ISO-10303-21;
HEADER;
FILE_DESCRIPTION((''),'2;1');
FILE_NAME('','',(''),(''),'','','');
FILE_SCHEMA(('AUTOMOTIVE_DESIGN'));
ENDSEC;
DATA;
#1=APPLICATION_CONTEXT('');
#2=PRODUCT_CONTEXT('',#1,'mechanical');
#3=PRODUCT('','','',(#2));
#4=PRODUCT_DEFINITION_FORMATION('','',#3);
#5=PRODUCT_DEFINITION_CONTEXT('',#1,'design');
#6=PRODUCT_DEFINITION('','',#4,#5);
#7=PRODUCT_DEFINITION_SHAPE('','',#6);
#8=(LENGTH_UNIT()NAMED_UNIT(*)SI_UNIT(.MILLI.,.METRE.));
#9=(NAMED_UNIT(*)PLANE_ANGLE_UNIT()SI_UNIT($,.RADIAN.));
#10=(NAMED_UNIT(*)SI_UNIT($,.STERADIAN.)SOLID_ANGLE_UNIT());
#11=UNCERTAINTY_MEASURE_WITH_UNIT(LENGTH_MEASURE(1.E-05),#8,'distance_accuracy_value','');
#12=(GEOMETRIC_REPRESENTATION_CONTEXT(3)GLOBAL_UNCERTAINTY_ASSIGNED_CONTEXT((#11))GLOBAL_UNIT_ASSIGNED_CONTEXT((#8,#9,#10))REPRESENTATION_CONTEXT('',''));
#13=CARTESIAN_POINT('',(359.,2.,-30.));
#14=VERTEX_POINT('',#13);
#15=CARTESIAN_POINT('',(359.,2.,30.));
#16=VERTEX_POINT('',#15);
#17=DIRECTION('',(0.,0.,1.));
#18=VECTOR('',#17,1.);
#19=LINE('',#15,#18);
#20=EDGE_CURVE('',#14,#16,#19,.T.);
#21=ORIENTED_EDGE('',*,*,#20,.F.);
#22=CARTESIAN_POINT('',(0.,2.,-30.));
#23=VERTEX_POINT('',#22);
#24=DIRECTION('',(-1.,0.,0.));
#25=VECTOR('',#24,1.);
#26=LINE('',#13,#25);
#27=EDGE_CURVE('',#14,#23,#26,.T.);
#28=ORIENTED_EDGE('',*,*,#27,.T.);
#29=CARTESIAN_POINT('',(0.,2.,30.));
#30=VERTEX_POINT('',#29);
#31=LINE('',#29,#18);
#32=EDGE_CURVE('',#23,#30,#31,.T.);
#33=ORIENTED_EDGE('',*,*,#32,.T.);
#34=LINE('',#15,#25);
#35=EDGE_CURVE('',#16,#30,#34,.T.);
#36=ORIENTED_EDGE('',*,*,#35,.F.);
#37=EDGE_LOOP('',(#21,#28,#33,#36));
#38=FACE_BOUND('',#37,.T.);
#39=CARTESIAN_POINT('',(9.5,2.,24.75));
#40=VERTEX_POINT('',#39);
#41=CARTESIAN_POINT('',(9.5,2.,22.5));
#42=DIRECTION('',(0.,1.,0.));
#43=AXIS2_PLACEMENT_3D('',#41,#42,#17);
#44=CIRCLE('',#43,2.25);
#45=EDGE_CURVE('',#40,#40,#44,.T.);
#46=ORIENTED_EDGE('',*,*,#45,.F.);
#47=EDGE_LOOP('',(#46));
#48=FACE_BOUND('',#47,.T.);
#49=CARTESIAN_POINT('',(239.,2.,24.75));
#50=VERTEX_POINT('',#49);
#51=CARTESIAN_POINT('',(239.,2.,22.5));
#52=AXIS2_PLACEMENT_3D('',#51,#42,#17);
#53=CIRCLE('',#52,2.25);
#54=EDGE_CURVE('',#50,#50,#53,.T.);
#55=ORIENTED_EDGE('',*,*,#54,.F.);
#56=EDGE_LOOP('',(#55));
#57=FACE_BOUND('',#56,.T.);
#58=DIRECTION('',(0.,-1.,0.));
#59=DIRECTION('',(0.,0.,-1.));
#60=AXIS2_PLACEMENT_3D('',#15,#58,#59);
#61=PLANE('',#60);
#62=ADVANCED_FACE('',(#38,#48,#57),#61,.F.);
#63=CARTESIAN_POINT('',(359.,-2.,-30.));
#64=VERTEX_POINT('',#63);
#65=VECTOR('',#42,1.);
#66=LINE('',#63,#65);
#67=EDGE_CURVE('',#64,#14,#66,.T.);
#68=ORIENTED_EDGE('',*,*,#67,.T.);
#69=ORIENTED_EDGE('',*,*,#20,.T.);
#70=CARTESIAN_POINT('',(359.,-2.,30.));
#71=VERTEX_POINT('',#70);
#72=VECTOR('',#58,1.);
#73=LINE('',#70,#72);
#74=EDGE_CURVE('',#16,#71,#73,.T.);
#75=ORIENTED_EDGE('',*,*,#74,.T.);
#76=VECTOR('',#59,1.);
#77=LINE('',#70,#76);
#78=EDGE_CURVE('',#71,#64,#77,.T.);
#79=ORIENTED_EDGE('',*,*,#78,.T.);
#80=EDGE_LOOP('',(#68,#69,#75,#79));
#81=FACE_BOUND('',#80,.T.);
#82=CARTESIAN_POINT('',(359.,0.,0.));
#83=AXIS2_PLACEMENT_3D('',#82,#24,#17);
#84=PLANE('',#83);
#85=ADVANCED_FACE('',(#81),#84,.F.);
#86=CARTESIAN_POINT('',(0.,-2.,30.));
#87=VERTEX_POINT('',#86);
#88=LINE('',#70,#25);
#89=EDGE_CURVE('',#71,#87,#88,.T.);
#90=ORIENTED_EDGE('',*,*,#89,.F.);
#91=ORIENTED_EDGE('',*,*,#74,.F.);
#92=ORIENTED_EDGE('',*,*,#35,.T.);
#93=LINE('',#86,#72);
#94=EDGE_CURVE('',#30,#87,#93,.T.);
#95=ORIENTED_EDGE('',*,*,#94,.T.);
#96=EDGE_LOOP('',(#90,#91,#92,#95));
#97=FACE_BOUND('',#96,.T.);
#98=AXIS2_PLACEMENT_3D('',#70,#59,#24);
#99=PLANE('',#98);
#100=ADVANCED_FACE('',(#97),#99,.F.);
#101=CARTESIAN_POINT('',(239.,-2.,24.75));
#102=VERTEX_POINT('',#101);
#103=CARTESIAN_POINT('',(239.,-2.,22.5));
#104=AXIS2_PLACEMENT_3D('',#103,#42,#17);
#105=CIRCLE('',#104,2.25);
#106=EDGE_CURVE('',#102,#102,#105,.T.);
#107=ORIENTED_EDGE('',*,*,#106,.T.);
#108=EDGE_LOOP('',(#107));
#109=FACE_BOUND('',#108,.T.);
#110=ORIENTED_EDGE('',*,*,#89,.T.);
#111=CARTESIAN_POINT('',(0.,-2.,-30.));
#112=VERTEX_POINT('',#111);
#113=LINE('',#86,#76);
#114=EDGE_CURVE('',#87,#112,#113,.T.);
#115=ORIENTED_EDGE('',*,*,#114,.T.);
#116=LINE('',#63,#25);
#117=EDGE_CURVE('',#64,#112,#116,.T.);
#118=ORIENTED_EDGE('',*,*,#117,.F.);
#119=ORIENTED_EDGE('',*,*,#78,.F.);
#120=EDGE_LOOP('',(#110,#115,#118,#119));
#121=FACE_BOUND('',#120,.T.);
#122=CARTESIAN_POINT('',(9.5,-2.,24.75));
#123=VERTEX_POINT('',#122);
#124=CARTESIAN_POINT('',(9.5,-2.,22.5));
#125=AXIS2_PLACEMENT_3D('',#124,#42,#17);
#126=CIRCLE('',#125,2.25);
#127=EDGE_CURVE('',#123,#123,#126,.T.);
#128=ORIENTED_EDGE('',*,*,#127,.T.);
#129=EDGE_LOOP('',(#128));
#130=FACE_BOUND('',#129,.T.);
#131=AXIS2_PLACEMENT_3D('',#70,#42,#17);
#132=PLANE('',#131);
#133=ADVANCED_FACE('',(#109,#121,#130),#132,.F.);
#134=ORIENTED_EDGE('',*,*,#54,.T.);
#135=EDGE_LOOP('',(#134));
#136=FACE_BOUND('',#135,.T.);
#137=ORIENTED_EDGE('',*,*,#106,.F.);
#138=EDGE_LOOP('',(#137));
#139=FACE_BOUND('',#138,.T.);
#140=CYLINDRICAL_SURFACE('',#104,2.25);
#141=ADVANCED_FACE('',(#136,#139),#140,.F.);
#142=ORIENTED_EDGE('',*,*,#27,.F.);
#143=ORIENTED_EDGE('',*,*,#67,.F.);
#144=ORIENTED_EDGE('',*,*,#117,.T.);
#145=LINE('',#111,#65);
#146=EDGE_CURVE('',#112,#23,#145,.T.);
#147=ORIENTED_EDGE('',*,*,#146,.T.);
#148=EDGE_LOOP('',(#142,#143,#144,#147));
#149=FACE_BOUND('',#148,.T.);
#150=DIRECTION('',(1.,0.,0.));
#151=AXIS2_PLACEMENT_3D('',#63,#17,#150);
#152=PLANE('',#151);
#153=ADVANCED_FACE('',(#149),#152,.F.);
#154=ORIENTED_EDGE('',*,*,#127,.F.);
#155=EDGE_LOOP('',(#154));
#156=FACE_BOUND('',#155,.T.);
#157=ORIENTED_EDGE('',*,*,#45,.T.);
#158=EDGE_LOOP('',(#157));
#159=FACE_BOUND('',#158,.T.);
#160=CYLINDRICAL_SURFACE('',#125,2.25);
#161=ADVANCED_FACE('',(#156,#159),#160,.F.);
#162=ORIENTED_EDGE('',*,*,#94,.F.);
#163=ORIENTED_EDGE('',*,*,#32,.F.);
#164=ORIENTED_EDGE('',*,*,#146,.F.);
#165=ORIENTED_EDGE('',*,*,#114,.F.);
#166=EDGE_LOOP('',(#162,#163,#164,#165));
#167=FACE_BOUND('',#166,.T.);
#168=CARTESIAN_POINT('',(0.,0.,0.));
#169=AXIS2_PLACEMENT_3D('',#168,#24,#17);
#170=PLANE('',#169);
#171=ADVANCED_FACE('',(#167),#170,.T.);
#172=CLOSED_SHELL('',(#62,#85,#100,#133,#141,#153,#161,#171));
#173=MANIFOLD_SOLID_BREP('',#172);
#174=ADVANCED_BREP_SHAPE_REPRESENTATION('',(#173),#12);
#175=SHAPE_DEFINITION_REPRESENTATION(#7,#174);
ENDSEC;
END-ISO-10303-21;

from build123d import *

# Parameters (mm, degrees)
SKETCH_1_W          = 60
SKETCH_1_H          = 4
EXTRUDE_1_DEPTH     = 359
SKETCH_2_R          = 2.25
CUT_EXTRUDE_1_DEPTH = 5


with BuildPart() as part:
    # Эскиз1 → Бобышка-Вытянуть1 (new body)
    with BuildSketch(Plane(origin=(0, 0, 0), x_dir=(0, 0, -1), z_dir=(1, 0, 0))):
        Rectangle(SKETCH_1_W, SKETCH_1_H)
    extrude(amount=EXTRUDE_1_DEPTH)

    # Эскиз2 → Вырез-Вытянуть1 (cut, through all)
    with BuildSketch(Plane(origin=(0, 2, 0), x_dir=(1, 0, 0), z_dir=(0, 1, 0))):
        with Locations((9.5, -22.5)):
            Circle(SKETCH_2_R)
        with Locations((239, -22.5)):
            Circle(SKETCH_2_R)
    extrude(amount=-CUT_EXTRUDE_1_DEPTH, mode=Mode.SUBTRACT)


solid = part.part
